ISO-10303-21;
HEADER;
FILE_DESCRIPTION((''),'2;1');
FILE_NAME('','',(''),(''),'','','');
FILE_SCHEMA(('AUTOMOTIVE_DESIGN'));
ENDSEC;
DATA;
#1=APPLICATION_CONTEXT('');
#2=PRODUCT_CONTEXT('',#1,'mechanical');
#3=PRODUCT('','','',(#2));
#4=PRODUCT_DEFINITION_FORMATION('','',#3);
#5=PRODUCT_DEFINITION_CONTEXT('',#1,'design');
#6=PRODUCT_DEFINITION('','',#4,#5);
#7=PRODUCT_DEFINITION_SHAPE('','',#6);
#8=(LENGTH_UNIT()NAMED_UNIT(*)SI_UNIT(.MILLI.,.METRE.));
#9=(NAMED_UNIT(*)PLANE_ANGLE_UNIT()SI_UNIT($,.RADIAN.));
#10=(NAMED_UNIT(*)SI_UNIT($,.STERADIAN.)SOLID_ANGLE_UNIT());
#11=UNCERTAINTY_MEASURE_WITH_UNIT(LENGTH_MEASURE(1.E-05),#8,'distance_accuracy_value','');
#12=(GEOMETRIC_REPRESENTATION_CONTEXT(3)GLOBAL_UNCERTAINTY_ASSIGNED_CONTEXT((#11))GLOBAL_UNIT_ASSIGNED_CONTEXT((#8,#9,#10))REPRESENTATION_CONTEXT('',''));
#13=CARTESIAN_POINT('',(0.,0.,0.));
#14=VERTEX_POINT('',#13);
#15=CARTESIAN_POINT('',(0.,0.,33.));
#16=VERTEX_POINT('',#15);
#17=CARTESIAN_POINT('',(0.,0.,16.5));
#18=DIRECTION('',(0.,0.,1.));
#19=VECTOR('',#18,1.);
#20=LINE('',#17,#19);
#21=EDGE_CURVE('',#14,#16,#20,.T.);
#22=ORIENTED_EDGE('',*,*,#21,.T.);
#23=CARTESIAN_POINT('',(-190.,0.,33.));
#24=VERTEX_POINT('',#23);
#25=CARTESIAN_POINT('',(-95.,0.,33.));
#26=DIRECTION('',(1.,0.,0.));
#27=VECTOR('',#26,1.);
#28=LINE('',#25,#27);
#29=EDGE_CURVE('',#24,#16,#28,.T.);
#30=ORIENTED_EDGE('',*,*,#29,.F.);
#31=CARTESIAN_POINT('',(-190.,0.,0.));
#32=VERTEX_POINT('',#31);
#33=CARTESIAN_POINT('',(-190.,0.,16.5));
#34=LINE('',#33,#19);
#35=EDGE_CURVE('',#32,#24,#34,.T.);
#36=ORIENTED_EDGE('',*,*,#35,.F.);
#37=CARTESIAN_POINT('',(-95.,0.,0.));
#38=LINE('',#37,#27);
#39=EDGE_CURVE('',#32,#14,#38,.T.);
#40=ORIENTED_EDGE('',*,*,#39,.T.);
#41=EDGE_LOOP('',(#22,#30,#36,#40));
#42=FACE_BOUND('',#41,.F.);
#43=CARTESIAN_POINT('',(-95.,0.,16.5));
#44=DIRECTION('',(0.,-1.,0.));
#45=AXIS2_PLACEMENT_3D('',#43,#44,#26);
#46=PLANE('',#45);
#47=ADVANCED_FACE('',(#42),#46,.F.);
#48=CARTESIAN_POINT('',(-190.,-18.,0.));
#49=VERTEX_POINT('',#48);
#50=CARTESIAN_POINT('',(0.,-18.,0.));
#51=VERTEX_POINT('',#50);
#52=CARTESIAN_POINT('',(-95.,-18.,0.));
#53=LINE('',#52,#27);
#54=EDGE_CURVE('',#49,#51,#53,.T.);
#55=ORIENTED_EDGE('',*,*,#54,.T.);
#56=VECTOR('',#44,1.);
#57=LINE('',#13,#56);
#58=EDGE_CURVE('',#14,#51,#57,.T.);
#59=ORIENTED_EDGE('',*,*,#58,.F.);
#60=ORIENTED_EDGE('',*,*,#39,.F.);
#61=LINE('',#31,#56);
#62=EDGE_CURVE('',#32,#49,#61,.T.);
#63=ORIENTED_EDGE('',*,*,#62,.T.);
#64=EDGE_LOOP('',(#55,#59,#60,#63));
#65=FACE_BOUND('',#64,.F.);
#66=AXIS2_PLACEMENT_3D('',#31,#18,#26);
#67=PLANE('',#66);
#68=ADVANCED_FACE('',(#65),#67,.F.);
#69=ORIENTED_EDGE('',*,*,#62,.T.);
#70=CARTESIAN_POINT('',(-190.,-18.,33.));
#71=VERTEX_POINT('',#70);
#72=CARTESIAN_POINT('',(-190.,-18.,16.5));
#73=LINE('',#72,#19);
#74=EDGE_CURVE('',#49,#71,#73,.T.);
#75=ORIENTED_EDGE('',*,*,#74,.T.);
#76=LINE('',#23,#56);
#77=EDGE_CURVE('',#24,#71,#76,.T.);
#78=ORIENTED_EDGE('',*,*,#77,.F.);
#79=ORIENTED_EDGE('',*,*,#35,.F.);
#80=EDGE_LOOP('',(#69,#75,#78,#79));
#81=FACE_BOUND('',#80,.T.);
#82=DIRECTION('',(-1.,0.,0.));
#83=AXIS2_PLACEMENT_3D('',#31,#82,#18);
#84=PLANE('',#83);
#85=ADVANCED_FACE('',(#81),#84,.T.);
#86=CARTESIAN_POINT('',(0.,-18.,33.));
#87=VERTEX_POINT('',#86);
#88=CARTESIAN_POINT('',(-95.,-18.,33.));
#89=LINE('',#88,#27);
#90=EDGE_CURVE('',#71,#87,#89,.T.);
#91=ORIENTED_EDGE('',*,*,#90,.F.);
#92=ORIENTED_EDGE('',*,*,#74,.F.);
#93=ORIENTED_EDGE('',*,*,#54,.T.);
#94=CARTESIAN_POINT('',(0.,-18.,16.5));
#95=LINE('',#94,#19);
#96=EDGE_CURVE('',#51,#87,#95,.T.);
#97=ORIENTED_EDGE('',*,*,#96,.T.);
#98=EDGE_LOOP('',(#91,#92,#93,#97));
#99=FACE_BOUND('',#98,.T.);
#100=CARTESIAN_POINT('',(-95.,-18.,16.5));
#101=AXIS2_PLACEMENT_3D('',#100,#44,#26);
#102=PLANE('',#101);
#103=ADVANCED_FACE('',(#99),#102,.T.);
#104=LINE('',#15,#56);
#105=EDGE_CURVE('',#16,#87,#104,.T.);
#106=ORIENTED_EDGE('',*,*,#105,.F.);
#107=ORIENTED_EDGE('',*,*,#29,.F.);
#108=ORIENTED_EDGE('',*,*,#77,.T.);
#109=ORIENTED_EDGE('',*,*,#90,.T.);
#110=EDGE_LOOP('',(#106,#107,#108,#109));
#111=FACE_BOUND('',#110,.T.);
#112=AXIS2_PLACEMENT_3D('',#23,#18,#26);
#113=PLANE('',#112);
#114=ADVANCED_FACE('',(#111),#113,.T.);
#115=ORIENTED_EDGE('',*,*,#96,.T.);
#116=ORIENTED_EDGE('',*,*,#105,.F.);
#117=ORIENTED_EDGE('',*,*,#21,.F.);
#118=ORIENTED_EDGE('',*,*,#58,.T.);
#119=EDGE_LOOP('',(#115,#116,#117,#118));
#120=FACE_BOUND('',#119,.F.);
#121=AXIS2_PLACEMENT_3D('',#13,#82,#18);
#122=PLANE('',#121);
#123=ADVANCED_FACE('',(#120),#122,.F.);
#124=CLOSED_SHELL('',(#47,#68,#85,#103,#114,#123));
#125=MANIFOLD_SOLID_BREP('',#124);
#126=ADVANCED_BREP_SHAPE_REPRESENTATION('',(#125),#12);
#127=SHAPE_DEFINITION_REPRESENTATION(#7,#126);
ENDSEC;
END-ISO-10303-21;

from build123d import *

# Parameters (mm, degrees)
SKETCH_W  = 190
SKETCH_H  = 33
PAD_DEPTH = 18


with BuildPart() as part:
    # Sketch → Pad (new body)
    with BuildSketch(Plane.XZ):
        with Locations((-95, 16.5)):
            Rectangle(SKETCH_W, SKETCH_H)
    extrude(amount=PAD_DEPTH)


solid = part.part
